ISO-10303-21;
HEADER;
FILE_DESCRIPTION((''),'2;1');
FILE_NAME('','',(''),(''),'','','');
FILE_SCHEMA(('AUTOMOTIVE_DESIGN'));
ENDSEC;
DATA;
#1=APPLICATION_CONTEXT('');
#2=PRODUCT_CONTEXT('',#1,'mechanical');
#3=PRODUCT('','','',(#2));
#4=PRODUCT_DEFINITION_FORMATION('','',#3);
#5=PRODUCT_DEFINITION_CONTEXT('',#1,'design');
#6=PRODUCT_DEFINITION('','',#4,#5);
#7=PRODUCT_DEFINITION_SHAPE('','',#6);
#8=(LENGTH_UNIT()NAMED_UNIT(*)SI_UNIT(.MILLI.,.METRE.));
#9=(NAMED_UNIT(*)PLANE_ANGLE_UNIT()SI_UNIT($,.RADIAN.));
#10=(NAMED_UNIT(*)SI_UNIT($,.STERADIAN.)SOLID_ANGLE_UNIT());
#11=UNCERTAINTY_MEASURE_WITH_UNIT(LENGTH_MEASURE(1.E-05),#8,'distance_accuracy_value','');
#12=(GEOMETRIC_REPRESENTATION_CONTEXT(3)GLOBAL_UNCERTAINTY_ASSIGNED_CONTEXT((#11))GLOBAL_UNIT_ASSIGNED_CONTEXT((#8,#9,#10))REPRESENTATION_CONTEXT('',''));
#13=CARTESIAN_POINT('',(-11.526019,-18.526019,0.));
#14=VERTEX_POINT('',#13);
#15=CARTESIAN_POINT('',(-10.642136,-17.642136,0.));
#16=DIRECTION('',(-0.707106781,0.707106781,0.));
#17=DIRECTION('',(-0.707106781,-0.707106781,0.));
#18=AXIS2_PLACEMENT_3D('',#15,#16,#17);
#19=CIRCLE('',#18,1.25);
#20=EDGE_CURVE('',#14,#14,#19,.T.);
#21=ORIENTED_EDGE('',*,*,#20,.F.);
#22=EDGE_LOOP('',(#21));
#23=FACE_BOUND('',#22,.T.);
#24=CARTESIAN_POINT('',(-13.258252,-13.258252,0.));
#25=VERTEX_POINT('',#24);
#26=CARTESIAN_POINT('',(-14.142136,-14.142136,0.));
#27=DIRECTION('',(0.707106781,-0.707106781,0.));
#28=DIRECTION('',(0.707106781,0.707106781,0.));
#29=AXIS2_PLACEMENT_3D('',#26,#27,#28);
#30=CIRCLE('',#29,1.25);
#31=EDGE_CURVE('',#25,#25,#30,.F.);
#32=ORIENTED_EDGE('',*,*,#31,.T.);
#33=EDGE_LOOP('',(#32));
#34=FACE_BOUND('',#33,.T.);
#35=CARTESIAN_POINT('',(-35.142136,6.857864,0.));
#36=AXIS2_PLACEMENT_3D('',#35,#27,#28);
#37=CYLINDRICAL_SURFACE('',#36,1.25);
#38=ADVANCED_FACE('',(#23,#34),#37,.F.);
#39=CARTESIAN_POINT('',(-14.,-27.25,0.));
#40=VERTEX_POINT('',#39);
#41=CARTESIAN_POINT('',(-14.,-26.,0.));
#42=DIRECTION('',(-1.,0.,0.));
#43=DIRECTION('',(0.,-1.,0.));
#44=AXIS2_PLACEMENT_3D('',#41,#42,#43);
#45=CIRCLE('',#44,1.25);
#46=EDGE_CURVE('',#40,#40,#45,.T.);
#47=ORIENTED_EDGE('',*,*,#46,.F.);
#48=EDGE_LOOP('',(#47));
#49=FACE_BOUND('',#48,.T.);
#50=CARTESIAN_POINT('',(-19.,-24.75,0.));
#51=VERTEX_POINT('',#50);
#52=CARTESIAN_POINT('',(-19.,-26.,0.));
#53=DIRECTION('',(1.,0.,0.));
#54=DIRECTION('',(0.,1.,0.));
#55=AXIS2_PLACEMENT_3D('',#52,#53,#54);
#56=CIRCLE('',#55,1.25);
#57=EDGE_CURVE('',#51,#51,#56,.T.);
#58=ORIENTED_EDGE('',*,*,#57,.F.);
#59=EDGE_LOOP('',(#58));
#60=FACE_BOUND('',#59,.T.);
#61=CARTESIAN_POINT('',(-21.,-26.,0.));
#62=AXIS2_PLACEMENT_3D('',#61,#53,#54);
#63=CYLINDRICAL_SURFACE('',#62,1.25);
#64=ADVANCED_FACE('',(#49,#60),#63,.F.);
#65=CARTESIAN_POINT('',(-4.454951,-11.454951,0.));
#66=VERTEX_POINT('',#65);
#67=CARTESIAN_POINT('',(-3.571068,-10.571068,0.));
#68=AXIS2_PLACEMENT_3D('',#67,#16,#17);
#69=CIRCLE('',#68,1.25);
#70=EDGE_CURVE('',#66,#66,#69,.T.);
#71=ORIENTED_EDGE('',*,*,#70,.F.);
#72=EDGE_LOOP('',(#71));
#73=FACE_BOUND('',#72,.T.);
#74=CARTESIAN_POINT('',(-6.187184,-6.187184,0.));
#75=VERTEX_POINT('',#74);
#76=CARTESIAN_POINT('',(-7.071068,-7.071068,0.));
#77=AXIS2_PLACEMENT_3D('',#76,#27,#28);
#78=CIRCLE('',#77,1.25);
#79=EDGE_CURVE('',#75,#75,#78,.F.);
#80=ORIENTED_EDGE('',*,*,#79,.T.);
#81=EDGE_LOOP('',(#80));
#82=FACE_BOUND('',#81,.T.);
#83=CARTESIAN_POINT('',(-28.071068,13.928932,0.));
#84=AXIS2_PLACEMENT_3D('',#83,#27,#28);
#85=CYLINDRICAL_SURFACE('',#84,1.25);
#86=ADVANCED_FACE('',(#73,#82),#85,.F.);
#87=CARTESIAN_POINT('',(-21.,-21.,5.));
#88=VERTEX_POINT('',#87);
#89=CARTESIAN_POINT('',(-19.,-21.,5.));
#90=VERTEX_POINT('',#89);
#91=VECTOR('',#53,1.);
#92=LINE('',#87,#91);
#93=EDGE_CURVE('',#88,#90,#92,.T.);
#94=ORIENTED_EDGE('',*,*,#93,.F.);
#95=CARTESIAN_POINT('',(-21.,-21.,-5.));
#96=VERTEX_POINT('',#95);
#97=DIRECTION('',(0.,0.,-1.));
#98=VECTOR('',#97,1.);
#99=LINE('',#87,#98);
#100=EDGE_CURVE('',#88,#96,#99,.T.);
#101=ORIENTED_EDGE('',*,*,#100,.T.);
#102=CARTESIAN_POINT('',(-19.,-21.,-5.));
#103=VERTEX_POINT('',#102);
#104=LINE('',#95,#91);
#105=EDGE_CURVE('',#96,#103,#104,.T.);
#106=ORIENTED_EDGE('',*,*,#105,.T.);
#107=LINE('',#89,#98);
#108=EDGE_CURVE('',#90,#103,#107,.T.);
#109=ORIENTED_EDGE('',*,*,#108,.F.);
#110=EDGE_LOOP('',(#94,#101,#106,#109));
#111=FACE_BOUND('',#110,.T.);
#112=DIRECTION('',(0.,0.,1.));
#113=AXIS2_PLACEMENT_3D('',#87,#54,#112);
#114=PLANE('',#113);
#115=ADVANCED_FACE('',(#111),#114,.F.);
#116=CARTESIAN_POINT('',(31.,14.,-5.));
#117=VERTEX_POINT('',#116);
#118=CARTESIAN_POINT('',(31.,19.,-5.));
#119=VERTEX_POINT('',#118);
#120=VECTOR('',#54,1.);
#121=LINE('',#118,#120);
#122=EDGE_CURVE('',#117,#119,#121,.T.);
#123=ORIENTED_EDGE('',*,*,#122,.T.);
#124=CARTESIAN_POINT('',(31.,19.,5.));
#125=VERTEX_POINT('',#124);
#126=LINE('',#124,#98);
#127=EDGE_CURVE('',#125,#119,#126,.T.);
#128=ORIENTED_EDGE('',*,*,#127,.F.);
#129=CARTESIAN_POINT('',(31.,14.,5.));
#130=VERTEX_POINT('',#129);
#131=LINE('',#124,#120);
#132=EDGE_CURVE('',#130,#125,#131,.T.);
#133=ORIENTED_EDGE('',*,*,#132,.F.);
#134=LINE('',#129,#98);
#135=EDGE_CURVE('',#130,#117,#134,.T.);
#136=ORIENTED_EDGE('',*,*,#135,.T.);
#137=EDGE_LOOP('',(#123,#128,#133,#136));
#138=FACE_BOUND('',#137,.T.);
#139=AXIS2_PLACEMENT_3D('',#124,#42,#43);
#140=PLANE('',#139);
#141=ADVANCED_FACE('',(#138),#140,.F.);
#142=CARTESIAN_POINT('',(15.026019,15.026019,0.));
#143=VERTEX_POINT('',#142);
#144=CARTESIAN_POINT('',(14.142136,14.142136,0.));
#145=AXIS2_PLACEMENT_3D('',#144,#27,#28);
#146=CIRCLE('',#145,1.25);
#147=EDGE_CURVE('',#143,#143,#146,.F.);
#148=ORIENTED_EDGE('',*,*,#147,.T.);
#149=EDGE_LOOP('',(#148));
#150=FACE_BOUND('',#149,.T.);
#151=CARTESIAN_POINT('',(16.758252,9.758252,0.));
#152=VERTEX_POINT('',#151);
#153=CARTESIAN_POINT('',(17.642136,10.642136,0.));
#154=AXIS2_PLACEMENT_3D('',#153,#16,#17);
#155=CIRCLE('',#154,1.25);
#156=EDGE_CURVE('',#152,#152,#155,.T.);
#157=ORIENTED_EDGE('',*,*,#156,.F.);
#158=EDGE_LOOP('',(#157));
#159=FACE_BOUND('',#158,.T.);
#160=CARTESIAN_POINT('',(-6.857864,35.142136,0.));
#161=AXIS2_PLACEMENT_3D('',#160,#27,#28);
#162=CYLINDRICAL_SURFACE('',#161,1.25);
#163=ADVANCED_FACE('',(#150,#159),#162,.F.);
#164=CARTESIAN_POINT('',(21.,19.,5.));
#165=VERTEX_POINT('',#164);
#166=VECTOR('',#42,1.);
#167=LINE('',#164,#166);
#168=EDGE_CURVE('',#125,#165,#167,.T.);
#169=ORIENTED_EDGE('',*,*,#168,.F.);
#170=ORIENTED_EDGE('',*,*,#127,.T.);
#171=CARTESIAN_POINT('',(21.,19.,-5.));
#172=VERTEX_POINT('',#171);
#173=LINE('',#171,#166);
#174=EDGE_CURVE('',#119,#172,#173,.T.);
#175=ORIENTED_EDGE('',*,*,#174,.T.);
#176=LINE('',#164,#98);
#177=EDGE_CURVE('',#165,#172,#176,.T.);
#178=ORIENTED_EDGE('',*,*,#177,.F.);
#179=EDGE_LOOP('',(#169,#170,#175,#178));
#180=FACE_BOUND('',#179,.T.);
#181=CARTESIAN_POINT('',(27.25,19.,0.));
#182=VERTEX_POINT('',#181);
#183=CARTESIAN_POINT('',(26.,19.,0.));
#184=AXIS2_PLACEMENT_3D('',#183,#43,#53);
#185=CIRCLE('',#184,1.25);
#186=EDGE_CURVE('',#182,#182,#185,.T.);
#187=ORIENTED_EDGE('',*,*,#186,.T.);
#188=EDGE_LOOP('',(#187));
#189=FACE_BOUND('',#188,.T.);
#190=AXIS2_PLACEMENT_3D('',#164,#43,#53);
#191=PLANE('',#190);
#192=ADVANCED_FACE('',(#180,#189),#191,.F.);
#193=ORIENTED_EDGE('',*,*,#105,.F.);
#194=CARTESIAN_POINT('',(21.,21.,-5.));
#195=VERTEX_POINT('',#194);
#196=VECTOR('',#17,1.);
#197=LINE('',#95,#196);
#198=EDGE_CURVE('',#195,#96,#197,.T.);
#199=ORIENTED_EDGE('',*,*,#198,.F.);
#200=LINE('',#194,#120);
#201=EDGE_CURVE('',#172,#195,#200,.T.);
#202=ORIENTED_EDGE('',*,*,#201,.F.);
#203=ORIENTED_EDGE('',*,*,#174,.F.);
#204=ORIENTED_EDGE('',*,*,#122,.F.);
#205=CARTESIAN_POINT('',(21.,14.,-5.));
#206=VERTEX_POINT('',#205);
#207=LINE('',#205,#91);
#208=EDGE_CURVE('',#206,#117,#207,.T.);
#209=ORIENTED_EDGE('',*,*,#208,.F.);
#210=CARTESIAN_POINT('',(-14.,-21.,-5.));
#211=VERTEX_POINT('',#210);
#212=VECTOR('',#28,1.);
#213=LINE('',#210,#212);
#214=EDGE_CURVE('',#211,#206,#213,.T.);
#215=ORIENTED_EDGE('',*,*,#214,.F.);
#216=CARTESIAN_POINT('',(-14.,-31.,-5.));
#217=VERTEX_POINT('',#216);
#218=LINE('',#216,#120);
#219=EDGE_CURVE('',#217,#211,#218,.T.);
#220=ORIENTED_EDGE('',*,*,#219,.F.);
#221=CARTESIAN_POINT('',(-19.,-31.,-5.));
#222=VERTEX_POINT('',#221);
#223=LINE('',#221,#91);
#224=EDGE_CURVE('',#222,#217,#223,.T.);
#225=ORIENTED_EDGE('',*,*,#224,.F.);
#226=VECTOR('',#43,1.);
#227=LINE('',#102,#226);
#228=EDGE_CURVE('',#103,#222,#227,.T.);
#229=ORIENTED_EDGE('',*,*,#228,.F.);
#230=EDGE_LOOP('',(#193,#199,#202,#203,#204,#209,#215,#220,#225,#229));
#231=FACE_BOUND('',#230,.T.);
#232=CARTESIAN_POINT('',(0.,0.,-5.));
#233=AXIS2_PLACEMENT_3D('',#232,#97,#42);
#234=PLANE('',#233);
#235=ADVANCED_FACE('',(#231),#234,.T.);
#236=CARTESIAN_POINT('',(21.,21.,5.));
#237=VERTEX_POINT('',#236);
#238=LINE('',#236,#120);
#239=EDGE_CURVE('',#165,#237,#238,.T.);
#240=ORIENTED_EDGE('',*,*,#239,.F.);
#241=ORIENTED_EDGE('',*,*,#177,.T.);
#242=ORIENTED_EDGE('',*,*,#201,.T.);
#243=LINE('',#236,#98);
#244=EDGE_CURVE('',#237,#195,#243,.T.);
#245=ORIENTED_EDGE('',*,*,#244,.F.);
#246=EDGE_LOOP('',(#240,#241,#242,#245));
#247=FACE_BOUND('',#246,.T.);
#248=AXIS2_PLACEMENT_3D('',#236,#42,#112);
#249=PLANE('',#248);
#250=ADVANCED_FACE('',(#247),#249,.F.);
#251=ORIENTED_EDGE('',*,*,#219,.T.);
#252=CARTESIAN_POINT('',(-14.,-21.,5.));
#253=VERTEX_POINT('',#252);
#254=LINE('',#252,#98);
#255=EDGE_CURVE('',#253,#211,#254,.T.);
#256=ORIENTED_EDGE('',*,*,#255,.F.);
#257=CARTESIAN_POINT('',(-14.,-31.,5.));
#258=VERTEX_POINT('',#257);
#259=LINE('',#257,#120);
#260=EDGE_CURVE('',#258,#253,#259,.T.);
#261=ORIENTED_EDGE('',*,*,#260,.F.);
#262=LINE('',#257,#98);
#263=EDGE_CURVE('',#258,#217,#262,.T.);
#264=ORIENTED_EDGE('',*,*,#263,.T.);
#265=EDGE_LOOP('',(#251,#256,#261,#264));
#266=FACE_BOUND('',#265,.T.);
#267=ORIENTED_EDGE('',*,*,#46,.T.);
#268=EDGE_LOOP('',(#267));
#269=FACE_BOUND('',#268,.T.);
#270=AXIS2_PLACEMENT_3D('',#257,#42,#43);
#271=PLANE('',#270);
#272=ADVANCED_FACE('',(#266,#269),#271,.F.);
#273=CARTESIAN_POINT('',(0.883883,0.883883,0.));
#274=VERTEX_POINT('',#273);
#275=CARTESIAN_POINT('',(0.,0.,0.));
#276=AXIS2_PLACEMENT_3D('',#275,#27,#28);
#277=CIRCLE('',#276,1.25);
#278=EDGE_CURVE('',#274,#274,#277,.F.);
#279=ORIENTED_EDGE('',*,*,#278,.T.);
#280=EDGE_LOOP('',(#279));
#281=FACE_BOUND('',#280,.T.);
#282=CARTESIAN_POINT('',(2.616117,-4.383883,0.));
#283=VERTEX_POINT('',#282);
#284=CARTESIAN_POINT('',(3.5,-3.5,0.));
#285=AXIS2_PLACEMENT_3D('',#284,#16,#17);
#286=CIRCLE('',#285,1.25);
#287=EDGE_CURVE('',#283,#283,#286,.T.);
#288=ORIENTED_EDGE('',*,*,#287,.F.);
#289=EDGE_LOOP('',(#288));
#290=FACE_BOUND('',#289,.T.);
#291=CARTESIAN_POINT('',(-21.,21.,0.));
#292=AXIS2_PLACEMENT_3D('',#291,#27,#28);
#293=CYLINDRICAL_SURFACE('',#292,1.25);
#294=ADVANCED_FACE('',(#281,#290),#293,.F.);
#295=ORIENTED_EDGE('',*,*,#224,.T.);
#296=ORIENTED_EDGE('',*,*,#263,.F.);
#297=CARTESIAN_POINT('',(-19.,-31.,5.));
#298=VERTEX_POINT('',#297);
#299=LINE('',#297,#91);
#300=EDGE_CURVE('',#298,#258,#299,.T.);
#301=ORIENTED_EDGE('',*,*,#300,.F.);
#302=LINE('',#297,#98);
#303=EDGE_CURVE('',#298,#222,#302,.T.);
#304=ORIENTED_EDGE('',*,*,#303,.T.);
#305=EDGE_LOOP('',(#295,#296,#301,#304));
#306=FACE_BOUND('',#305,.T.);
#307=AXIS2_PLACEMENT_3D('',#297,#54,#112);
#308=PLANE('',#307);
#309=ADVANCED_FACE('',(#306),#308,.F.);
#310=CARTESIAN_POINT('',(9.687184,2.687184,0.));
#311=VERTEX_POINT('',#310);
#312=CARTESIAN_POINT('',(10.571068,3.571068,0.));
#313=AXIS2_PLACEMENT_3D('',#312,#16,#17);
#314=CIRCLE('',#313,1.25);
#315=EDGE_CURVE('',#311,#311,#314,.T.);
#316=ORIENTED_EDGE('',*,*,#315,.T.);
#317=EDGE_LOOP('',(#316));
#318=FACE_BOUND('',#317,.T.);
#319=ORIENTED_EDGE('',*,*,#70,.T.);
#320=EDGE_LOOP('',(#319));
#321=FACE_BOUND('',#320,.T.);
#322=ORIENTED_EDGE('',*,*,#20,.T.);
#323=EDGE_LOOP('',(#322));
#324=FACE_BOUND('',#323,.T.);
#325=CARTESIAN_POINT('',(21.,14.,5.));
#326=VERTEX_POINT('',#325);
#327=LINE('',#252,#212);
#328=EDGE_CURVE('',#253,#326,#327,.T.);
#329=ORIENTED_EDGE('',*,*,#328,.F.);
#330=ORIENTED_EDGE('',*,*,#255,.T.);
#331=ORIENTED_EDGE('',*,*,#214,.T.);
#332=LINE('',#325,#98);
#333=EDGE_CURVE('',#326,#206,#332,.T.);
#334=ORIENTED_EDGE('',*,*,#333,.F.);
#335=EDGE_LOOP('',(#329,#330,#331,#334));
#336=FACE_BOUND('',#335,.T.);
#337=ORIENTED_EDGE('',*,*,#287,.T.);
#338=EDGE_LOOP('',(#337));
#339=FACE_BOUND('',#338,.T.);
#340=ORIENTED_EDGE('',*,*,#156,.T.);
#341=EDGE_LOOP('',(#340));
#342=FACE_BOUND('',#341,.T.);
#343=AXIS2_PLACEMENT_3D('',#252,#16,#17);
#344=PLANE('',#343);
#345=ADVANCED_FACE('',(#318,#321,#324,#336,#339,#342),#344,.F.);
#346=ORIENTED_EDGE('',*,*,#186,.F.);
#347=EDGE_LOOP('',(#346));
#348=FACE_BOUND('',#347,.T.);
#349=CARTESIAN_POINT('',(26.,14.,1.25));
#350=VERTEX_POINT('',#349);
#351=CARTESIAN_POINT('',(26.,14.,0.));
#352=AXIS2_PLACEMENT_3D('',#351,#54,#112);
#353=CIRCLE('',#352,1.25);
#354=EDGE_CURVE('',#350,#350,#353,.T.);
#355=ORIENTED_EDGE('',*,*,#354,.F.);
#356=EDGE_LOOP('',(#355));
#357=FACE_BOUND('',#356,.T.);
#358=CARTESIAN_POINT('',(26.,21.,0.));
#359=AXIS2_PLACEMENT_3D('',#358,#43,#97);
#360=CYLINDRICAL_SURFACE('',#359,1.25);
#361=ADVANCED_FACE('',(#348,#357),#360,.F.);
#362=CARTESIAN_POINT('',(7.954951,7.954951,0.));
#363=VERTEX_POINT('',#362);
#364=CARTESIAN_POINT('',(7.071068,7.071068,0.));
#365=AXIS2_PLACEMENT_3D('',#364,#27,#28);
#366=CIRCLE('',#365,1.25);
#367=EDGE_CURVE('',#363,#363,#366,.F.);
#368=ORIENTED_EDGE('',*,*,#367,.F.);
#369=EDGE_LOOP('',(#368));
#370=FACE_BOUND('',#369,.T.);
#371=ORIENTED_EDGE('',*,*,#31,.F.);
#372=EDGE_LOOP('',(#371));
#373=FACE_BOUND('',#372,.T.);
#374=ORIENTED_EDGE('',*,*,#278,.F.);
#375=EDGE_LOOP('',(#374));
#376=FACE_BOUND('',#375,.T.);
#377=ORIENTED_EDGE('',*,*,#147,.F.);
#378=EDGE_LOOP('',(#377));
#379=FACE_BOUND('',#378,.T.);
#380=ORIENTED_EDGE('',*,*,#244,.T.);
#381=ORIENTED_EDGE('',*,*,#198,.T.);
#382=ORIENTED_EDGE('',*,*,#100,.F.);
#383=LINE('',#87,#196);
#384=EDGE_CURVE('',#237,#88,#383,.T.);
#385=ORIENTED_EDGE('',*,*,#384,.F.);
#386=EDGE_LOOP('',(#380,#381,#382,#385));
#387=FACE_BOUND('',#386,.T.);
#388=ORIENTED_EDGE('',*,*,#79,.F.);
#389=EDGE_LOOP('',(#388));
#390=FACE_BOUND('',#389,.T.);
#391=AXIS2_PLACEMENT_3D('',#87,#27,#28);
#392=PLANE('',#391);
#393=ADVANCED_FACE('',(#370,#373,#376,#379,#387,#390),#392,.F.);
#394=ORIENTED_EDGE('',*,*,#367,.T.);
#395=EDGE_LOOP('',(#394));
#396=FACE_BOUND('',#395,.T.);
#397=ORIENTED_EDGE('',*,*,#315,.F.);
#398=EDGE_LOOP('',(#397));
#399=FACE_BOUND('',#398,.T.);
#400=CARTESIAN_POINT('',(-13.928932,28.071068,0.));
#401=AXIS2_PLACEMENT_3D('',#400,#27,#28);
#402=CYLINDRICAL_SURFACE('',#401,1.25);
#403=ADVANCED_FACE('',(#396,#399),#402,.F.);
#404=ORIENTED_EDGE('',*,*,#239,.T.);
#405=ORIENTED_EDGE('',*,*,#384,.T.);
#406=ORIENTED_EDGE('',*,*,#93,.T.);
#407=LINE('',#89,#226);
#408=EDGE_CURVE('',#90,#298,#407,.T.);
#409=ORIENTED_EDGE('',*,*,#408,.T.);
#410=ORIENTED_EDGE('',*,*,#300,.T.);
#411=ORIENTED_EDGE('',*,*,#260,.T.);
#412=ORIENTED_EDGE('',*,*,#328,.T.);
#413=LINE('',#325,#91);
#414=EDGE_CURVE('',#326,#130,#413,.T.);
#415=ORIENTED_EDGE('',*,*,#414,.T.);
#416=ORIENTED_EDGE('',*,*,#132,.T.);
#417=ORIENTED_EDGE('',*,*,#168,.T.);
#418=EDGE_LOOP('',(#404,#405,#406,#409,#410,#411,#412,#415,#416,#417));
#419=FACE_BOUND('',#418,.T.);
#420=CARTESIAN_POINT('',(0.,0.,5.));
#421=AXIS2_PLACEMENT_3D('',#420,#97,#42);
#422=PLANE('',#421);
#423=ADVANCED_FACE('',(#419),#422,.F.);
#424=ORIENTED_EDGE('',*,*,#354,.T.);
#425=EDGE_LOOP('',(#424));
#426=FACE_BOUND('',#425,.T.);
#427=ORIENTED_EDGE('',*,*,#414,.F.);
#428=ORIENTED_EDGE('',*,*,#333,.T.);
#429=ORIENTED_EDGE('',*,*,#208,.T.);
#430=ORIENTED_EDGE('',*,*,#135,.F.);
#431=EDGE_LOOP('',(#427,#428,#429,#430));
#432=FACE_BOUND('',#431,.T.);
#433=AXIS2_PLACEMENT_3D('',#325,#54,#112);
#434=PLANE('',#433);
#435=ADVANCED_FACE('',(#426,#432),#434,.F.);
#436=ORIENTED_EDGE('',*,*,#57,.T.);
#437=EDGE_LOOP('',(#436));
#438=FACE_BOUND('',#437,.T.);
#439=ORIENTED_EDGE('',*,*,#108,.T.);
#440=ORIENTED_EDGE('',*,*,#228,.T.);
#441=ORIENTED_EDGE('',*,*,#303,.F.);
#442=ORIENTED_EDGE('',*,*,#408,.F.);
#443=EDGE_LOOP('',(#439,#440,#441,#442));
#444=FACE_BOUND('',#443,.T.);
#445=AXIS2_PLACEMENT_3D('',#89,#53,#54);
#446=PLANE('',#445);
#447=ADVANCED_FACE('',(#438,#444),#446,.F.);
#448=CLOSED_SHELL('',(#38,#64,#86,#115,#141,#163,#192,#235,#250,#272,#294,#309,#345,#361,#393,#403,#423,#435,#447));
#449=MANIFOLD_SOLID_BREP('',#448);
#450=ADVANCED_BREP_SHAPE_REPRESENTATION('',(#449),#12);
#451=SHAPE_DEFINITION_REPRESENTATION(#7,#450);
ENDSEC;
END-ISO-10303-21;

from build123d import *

# Parameters (mm, degrees)
MAIN_DEPTH         = 5
SKETCH2_R          = 1.25
FIXHOLE1_DEPTH     = 43
SKETCH3_R          = 1.25
FIXHOLE2_DEPTH     = 43
SKETCH6_R          = 1.25
CUT_EXTRUDE2_DEPTH = 35.648232278
LPATTERN1_COUNT    = 5
LPATTERN1_PITCH    = 10


with BuildPart() as part:
    # Sketch1 → Main (new body, symmetric)
    with BuildSketch(Plane.XY):
        Polygon((-21, -21), (21, 21), (21, 19), (31, 19), (31, 14), (21, 14), (-14, -21), (-14, -31), (-19, -31), (-19, -21), align=None)
    extrude(amount=MAIN_DEPTH, both=True)

    # Sketch2 → FixHole1 (cut, through all)
    with BuildSketch(Plane(origin=(21, 0, 0), x_dir=(0, 0, -1), z_dir=(1, 0, 0))):
        with Locations((0, -26)):
            Circle(SKETCH2_R)
    extrude(amount=-FIXHOLE1_DEPTH, mode=Mode.SUBTRACT)

    # Sketch3 → FixHole2 (cut, through all)
    with BuildSketch(Plane(origin=(0, -21, 0), x_dir=(-1, 0, 0), z_dir=(0, -1, 0))):
        with Locations((-26, 0)):
            Circle(SKETCH3_R)
    extrude(amount=-FIXHOLE2_DEPTH, mode=Mode.SUBTRACT)

    # Sketch6 → Cut-Extrude2 (cut, through all)
    with BuildSketch(Plane(origin=(3.5, -3.5, 0), x_dir=(0, 0, 1), z_dir=(-0.707106781, 0.707106781, 0))):
        with Locations((0, 20)):
            Circle(SKETCH6_R)
    cut_extrude2 = extrude(amount=CUT_EXTRUDE2_DEPTH, mode=Mode.SUBTRACT)

    # LPattern1: Cut-Extrude2 ×5
    with Locations(*[Vector(-0.707106781, -0.707106781, 0) * (i * LPATTERN1_PITCH) for i in range(1, LPATTERN1_COUNT)]):
        add(cut_extrude2, mode=Mode.SUBTRACT)


solid = part.part
